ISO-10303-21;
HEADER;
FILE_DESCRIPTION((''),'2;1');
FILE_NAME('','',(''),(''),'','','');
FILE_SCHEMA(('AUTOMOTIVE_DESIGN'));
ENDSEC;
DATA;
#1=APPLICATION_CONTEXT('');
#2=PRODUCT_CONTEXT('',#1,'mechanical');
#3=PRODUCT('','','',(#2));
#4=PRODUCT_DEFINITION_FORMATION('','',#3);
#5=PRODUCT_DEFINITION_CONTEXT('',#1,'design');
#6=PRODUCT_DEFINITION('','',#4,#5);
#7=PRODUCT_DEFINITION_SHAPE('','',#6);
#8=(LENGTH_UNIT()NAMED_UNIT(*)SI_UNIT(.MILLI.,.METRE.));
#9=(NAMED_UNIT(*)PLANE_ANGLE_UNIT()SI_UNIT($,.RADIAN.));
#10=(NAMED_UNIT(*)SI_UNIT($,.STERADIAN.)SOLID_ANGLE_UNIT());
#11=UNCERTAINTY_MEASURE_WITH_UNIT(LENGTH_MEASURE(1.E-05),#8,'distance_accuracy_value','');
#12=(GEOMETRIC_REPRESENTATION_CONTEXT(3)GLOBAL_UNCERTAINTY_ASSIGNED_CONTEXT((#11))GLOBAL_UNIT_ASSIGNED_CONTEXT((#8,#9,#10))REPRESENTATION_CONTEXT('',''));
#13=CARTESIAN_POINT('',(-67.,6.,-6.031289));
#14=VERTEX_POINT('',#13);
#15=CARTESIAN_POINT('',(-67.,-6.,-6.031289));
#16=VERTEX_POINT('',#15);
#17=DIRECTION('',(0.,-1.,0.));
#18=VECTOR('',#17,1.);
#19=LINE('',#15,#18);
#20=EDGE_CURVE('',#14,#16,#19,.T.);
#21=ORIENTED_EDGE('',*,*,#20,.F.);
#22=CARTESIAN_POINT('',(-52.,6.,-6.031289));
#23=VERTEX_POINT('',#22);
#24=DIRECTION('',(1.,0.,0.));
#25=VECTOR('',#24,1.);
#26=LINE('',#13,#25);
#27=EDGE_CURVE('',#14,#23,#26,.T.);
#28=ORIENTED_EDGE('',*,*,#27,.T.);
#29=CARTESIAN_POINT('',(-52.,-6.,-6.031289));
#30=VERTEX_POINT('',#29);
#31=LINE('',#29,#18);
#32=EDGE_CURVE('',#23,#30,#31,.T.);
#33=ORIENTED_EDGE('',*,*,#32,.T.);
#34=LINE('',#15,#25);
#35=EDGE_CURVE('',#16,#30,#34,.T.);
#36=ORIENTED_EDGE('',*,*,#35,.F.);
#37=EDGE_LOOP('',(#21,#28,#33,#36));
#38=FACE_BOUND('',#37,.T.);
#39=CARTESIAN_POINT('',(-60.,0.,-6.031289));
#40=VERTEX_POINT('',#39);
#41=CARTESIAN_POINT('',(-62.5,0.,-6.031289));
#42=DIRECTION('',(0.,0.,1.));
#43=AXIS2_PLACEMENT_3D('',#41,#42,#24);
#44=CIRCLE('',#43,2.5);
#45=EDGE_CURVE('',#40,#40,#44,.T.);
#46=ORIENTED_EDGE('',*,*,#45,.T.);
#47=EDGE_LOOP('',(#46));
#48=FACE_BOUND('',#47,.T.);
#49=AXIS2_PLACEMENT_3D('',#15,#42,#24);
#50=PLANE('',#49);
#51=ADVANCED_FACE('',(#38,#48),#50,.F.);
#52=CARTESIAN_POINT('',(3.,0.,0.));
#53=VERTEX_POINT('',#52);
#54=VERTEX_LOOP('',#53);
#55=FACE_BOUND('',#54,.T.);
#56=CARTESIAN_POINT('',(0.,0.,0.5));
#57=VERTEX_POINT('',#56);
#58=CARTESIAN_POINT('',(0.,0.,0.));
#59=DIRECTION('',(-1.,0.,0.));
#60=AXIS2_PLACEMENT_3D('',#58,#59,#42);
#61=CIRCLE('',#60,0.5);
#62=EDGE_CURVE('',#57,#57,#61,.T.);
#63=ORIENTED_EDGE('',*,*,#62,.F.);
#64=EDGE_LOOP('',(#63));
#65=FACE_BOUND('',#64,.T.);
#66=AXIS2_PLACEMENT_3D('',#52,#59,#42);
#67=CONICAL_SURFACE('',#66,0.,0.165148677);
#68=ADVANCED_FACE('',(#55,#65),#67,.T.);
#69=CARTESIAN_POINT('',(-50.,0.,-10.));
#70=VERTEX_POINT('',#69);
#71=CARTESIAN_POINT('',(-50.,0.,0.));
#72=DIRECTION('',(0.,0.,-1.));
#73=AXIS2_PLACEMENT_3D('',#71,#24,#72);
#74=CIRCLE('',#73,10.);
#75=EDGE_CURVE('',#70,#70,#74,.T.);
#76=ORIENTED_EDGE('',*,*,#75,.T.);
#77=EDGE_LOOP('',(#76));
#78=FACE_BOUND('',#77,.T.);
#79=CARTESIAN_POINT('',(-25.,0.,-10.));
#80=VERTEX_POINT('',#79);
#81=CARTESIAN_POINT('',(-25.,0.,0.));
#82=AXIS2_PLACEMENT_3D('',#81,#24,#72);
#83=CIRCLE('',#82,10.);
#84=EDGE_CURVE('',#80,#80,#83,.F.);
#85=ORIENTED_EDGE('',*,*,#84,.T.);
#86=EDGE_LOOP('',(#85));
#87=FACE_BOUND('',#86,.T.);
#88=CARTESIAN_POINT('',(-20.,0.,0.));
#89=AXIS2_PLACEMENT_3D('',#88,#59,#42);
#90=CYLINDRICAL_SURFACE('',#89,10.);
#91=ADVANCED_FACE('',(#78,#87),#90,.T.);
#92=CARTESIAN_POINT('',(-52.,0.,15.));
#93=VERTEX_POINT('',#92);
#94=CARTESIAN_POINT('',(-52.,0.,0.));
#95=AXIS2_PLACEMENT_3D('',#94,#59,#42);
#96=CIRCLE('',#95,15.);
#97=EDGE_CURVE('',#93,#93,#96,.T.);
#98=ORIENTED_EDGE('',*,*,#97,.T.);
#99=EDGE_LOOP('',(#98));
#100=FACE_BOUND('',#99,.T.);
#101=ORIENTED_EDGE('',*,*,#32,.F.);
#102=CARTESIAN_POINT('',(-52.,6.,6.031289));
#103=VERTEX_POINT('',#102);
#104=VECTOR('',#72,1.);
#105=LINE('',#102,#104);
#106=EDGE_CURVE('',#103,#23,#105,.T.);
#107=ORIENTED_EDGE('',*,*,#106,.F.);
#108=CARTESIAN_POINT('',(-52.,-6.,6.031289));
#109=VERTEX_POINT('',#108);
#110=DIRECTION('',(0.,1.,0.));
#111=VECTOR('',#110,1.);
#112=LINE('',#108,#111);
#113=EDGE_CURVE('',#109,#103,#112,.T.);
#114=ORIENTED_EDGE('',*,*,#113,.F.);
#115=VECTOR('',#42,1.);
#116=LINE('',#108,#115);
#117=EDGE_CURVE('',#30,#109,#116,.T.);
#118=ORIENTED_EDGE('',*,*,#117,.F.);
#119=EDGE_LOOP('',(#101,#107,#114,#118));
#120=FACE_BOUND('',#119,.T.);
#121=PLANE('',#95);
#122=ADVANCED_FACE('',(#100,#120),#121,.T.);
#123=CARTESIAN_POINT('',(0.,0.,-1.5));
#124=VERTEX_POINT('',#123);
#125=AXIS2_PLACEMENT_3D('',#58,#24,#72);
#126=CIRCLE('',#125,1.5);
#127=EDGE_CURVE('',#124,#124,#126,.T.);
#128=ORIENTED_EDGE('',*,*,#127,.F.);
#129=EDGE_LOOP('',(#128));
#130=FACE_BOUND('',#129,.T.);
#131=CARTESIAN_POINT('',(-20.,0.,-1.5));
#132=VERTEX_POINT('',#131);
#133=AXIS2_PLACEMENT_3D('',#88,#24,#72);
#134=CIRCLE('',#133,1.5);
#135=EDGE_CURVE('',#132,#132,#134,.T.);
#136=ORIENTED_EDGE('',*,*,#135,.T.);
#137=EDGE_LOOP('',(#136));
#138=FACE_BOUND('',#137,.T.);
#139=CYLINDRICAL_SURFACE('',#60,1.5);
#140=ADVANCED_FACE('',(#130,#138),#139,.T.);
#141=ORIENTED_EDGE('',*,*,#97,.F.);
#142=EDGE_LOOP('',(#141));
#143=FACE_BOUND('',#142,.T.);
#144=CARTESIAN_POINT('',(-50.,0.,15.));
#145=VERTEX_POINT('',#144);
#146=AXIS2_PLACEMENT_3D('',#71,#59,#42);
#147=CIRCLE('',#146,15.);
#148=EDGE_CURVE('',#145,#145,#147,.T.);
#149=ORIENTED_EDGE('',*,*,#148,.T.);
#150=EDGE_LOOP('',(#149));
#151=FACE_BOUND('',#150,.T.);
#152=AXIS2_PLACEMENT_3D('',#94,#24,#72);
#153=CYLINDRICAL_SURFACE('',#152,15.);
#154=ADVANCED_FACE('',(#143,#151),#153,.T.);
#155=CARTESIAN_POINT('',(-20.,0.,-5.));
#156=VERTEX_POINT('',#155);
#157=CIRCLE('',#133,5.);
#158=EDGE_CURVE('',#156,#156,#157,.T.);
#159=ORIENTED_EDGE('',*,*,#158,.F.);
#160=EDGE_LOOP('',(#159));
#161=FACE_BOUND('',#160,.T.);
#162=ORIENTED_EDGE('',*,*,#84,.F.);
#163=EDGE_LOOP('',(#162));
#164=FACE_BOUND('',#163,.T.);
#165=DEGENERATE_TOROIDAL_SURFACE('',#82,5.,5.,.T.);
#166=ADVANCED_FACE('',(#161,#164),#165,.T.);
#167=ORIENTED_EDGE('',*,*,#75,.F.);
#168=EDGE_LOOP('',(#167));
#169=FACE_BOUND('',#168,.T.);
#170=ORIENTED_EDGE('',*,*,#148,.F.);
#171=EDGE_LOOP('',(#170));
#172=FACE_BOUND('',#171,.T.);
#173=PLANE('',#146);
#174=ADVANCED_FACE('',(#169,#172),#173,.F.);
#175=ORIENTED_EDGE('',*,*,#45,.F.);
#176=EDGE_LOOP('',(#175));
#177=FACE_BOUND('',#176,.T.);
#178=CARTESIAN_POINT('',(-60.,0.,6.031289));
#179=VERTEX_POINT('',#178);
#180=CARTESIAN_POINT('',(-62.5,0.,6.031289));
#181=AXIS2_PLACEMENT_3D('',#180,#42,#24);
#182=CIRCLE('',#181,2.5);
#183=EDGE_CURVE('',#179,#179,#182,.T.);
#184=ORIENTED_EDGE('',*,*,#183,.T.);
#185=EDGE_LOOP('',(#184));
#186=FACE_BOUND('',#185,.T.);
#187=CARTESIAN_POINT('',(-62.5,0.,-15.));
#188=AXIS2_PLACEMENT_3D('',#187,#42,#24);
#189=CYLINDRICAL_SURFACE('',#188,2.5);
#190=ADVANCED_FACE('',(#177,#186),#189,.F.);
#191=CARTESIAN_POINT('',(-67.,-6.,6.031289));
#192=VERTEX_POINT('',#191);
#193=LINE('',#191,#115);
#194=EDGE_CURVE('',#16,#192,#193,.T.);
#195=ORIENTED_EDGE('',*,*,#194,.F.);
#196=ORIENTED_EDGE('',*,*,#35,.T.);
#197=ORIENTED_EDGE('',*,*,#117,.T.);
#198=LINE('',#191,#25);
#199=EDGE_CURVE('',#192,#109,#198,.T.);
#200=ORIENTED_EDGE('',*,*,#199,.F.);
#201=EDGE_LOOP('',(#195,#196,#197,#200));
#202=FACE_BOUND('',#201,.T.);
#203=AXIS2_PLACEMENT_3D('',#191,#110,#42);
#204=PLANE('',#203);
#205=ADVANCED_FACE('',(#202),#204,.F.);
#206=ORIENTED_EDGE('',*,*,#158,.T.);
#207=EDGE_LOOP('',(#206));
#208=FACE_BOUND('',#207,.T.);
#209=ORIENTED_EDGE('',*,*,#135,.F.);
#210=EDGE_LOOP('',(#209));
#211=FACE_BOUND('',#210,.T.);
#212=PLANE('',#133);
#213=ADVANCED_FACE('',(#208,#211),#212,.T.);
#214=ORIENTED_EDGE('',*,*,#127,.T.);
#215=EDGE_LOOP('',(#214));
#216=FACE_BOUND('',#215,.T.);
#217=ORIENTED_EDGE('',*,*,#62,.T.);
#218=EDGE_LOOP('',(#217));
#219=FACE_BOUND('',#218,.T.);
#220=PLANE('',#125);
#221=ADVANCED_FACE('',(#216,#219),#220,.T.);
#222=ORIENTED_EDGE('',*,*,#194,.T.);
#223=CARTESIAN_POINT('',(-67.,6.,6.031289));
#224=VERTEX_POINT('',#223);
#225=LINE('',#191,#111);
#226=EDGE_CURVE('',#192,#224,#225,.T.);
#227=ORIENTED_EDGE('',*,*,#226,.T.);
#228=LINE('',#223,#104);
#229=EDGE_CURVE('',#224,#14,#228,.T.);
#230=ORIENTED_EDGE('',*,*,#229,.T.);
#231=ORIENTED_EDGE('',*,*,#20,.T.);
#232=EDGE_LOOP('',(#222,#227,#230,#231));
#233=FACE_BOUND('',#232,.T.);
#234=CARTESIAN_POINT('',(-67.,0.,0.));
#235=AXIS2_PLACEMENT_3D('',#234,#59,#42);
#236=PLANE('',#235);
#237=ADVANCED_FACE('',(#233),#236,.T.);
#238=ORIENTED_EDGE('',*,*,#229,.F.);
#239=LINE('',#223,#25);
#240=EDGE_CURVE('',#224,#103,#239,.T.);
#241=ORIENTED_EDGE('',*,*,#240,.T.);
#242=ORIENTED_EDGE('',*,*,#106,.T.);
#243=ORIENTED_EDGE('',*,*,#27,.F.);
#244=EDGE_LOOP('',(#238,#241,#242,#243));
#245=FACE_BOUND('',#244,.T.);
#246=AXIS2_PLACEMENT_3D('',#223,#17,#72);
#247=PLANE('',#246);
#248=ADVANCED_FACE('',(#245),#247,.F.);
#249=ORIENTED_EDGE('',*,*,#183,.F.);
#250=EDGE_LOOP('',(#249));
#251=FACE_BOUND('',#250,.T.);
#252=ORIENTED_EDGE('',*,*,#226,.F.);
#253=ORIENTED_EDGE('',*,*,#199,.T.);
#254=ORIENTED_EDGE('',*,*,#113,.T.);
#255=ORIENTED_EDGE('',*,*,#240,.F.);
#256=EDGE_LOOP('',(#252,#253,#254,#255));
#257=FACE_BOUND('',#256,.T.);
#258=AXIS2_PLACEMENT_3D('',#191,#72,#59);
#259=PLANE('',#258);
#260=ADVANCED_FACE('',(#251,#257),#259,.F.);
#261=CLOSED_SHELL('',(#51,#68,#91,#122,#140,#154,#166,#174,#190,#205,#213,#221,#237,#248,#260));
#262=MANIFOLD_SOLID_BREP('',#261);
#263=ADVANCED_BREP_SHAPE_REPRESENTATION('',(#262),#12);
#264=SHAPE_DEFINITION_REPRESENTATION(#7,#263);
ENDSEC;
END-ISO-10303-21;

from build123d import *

# Parameters (mm, degrees)
SKETCH1_R             = 10
BOSS_EXTRUDE1_DEPTH   = 30
SKETCH4_R             = 15
BOSS_EXTRUDE2_DEPTH   = 2
FILLET1_R             = 5
SKETCH6_R             = 1.5
BOSS_EXTRUDE3_DEPTH   = 20
SKETCH7_W             = 12.06257879
SKETCH7_H             = 12
BOSS_EXTRUDE4_DEPTH   = 15
SKETCH8_R             = 2.5
CUT_EXTRUDE2_DEPTH    = 22.031289395
BODY_MOVE_COPY5_ANGLE = 90


with BuildPart() as part:
    # Sketch1 → Boss-Extrude1 (new body)
    with BuildSketch(Plane.XY):
        Circle(SKETCH1_R)
    extrude(amount=BOSS_EXTRUDE1_DEPTH)

    # Sketch4 → Boss-Extrude2 (add)
    with BuildSketch(Plane(origin=(0, 0, 0), x_dir=(-1, 0, 0), z_dir=(0, 0, -1))):
        Circle(SKETCH4_R)
    extrude(amount=BOSS_EXTRUDE2_DEPTH)

    # Fillet1
    fillet1_edges = [part.edges().sort_by_distance(p)[0] for p in [
        (-10, 0, 30),
    ]]
    fillet(fillet1_edges, radius=FILLET1_R)

    # Sketch6 → Boss-Extrude3 (add)
    with BuildSketch(Plane.XY.offset(30)):
        Circle(SKETCH6_R)
    extrude(amount=BOSS_EXTRUDE3_DEPTH)

    # Sketch7 → Boss-Extrude4 (add)
    with BuildSketch(Plane(origin=(0, 0, -2), x_dir=(-1, 0, 0), z_dir=(0, 0, -1))):
        Rectangle(SKETCH7_W, SKETCH7_H)
    extrude(amount=BOSS_EXTRUDE4_DEPTH)

    # Sketch8 → Cut-Extrude2 (cut, through all)
    with BuildSketch(Plane.ZY.offset(6.031289395)):
        with Locations((-12.5, 0)):
            Circle(SKETCH8_R)
    extrude(amount=-CUT_EXTRUDE2_DEPTH, mode=Mode.SUBTRACT)

    # Sketch15 → Revolve2 (revolve)
    with BuildSketch(Plane(origin=(0, 0, 0), x_dir=(1, 0, 0), z_dir=(0, 1, 0))):
        Polygon((0.5, -50), (0, -53), (0, -50), align=None)
    revolve(axis=Axis((0, 0, 50), (0, 0, 1)))


with BuildPart() as part_1:
    # Body-Move/Copy3: moved
    add(part.part.moved(Location((0, 0, -50))))


with BuildPart() as part_2:
    # Body-Move/Copy5: moved
    add(part_1.part.rotate(Axis((0, 0, 0), (0, 1, 0)), BODY_MOVE_COPY5_ANGLE))


solid = part_2.part
